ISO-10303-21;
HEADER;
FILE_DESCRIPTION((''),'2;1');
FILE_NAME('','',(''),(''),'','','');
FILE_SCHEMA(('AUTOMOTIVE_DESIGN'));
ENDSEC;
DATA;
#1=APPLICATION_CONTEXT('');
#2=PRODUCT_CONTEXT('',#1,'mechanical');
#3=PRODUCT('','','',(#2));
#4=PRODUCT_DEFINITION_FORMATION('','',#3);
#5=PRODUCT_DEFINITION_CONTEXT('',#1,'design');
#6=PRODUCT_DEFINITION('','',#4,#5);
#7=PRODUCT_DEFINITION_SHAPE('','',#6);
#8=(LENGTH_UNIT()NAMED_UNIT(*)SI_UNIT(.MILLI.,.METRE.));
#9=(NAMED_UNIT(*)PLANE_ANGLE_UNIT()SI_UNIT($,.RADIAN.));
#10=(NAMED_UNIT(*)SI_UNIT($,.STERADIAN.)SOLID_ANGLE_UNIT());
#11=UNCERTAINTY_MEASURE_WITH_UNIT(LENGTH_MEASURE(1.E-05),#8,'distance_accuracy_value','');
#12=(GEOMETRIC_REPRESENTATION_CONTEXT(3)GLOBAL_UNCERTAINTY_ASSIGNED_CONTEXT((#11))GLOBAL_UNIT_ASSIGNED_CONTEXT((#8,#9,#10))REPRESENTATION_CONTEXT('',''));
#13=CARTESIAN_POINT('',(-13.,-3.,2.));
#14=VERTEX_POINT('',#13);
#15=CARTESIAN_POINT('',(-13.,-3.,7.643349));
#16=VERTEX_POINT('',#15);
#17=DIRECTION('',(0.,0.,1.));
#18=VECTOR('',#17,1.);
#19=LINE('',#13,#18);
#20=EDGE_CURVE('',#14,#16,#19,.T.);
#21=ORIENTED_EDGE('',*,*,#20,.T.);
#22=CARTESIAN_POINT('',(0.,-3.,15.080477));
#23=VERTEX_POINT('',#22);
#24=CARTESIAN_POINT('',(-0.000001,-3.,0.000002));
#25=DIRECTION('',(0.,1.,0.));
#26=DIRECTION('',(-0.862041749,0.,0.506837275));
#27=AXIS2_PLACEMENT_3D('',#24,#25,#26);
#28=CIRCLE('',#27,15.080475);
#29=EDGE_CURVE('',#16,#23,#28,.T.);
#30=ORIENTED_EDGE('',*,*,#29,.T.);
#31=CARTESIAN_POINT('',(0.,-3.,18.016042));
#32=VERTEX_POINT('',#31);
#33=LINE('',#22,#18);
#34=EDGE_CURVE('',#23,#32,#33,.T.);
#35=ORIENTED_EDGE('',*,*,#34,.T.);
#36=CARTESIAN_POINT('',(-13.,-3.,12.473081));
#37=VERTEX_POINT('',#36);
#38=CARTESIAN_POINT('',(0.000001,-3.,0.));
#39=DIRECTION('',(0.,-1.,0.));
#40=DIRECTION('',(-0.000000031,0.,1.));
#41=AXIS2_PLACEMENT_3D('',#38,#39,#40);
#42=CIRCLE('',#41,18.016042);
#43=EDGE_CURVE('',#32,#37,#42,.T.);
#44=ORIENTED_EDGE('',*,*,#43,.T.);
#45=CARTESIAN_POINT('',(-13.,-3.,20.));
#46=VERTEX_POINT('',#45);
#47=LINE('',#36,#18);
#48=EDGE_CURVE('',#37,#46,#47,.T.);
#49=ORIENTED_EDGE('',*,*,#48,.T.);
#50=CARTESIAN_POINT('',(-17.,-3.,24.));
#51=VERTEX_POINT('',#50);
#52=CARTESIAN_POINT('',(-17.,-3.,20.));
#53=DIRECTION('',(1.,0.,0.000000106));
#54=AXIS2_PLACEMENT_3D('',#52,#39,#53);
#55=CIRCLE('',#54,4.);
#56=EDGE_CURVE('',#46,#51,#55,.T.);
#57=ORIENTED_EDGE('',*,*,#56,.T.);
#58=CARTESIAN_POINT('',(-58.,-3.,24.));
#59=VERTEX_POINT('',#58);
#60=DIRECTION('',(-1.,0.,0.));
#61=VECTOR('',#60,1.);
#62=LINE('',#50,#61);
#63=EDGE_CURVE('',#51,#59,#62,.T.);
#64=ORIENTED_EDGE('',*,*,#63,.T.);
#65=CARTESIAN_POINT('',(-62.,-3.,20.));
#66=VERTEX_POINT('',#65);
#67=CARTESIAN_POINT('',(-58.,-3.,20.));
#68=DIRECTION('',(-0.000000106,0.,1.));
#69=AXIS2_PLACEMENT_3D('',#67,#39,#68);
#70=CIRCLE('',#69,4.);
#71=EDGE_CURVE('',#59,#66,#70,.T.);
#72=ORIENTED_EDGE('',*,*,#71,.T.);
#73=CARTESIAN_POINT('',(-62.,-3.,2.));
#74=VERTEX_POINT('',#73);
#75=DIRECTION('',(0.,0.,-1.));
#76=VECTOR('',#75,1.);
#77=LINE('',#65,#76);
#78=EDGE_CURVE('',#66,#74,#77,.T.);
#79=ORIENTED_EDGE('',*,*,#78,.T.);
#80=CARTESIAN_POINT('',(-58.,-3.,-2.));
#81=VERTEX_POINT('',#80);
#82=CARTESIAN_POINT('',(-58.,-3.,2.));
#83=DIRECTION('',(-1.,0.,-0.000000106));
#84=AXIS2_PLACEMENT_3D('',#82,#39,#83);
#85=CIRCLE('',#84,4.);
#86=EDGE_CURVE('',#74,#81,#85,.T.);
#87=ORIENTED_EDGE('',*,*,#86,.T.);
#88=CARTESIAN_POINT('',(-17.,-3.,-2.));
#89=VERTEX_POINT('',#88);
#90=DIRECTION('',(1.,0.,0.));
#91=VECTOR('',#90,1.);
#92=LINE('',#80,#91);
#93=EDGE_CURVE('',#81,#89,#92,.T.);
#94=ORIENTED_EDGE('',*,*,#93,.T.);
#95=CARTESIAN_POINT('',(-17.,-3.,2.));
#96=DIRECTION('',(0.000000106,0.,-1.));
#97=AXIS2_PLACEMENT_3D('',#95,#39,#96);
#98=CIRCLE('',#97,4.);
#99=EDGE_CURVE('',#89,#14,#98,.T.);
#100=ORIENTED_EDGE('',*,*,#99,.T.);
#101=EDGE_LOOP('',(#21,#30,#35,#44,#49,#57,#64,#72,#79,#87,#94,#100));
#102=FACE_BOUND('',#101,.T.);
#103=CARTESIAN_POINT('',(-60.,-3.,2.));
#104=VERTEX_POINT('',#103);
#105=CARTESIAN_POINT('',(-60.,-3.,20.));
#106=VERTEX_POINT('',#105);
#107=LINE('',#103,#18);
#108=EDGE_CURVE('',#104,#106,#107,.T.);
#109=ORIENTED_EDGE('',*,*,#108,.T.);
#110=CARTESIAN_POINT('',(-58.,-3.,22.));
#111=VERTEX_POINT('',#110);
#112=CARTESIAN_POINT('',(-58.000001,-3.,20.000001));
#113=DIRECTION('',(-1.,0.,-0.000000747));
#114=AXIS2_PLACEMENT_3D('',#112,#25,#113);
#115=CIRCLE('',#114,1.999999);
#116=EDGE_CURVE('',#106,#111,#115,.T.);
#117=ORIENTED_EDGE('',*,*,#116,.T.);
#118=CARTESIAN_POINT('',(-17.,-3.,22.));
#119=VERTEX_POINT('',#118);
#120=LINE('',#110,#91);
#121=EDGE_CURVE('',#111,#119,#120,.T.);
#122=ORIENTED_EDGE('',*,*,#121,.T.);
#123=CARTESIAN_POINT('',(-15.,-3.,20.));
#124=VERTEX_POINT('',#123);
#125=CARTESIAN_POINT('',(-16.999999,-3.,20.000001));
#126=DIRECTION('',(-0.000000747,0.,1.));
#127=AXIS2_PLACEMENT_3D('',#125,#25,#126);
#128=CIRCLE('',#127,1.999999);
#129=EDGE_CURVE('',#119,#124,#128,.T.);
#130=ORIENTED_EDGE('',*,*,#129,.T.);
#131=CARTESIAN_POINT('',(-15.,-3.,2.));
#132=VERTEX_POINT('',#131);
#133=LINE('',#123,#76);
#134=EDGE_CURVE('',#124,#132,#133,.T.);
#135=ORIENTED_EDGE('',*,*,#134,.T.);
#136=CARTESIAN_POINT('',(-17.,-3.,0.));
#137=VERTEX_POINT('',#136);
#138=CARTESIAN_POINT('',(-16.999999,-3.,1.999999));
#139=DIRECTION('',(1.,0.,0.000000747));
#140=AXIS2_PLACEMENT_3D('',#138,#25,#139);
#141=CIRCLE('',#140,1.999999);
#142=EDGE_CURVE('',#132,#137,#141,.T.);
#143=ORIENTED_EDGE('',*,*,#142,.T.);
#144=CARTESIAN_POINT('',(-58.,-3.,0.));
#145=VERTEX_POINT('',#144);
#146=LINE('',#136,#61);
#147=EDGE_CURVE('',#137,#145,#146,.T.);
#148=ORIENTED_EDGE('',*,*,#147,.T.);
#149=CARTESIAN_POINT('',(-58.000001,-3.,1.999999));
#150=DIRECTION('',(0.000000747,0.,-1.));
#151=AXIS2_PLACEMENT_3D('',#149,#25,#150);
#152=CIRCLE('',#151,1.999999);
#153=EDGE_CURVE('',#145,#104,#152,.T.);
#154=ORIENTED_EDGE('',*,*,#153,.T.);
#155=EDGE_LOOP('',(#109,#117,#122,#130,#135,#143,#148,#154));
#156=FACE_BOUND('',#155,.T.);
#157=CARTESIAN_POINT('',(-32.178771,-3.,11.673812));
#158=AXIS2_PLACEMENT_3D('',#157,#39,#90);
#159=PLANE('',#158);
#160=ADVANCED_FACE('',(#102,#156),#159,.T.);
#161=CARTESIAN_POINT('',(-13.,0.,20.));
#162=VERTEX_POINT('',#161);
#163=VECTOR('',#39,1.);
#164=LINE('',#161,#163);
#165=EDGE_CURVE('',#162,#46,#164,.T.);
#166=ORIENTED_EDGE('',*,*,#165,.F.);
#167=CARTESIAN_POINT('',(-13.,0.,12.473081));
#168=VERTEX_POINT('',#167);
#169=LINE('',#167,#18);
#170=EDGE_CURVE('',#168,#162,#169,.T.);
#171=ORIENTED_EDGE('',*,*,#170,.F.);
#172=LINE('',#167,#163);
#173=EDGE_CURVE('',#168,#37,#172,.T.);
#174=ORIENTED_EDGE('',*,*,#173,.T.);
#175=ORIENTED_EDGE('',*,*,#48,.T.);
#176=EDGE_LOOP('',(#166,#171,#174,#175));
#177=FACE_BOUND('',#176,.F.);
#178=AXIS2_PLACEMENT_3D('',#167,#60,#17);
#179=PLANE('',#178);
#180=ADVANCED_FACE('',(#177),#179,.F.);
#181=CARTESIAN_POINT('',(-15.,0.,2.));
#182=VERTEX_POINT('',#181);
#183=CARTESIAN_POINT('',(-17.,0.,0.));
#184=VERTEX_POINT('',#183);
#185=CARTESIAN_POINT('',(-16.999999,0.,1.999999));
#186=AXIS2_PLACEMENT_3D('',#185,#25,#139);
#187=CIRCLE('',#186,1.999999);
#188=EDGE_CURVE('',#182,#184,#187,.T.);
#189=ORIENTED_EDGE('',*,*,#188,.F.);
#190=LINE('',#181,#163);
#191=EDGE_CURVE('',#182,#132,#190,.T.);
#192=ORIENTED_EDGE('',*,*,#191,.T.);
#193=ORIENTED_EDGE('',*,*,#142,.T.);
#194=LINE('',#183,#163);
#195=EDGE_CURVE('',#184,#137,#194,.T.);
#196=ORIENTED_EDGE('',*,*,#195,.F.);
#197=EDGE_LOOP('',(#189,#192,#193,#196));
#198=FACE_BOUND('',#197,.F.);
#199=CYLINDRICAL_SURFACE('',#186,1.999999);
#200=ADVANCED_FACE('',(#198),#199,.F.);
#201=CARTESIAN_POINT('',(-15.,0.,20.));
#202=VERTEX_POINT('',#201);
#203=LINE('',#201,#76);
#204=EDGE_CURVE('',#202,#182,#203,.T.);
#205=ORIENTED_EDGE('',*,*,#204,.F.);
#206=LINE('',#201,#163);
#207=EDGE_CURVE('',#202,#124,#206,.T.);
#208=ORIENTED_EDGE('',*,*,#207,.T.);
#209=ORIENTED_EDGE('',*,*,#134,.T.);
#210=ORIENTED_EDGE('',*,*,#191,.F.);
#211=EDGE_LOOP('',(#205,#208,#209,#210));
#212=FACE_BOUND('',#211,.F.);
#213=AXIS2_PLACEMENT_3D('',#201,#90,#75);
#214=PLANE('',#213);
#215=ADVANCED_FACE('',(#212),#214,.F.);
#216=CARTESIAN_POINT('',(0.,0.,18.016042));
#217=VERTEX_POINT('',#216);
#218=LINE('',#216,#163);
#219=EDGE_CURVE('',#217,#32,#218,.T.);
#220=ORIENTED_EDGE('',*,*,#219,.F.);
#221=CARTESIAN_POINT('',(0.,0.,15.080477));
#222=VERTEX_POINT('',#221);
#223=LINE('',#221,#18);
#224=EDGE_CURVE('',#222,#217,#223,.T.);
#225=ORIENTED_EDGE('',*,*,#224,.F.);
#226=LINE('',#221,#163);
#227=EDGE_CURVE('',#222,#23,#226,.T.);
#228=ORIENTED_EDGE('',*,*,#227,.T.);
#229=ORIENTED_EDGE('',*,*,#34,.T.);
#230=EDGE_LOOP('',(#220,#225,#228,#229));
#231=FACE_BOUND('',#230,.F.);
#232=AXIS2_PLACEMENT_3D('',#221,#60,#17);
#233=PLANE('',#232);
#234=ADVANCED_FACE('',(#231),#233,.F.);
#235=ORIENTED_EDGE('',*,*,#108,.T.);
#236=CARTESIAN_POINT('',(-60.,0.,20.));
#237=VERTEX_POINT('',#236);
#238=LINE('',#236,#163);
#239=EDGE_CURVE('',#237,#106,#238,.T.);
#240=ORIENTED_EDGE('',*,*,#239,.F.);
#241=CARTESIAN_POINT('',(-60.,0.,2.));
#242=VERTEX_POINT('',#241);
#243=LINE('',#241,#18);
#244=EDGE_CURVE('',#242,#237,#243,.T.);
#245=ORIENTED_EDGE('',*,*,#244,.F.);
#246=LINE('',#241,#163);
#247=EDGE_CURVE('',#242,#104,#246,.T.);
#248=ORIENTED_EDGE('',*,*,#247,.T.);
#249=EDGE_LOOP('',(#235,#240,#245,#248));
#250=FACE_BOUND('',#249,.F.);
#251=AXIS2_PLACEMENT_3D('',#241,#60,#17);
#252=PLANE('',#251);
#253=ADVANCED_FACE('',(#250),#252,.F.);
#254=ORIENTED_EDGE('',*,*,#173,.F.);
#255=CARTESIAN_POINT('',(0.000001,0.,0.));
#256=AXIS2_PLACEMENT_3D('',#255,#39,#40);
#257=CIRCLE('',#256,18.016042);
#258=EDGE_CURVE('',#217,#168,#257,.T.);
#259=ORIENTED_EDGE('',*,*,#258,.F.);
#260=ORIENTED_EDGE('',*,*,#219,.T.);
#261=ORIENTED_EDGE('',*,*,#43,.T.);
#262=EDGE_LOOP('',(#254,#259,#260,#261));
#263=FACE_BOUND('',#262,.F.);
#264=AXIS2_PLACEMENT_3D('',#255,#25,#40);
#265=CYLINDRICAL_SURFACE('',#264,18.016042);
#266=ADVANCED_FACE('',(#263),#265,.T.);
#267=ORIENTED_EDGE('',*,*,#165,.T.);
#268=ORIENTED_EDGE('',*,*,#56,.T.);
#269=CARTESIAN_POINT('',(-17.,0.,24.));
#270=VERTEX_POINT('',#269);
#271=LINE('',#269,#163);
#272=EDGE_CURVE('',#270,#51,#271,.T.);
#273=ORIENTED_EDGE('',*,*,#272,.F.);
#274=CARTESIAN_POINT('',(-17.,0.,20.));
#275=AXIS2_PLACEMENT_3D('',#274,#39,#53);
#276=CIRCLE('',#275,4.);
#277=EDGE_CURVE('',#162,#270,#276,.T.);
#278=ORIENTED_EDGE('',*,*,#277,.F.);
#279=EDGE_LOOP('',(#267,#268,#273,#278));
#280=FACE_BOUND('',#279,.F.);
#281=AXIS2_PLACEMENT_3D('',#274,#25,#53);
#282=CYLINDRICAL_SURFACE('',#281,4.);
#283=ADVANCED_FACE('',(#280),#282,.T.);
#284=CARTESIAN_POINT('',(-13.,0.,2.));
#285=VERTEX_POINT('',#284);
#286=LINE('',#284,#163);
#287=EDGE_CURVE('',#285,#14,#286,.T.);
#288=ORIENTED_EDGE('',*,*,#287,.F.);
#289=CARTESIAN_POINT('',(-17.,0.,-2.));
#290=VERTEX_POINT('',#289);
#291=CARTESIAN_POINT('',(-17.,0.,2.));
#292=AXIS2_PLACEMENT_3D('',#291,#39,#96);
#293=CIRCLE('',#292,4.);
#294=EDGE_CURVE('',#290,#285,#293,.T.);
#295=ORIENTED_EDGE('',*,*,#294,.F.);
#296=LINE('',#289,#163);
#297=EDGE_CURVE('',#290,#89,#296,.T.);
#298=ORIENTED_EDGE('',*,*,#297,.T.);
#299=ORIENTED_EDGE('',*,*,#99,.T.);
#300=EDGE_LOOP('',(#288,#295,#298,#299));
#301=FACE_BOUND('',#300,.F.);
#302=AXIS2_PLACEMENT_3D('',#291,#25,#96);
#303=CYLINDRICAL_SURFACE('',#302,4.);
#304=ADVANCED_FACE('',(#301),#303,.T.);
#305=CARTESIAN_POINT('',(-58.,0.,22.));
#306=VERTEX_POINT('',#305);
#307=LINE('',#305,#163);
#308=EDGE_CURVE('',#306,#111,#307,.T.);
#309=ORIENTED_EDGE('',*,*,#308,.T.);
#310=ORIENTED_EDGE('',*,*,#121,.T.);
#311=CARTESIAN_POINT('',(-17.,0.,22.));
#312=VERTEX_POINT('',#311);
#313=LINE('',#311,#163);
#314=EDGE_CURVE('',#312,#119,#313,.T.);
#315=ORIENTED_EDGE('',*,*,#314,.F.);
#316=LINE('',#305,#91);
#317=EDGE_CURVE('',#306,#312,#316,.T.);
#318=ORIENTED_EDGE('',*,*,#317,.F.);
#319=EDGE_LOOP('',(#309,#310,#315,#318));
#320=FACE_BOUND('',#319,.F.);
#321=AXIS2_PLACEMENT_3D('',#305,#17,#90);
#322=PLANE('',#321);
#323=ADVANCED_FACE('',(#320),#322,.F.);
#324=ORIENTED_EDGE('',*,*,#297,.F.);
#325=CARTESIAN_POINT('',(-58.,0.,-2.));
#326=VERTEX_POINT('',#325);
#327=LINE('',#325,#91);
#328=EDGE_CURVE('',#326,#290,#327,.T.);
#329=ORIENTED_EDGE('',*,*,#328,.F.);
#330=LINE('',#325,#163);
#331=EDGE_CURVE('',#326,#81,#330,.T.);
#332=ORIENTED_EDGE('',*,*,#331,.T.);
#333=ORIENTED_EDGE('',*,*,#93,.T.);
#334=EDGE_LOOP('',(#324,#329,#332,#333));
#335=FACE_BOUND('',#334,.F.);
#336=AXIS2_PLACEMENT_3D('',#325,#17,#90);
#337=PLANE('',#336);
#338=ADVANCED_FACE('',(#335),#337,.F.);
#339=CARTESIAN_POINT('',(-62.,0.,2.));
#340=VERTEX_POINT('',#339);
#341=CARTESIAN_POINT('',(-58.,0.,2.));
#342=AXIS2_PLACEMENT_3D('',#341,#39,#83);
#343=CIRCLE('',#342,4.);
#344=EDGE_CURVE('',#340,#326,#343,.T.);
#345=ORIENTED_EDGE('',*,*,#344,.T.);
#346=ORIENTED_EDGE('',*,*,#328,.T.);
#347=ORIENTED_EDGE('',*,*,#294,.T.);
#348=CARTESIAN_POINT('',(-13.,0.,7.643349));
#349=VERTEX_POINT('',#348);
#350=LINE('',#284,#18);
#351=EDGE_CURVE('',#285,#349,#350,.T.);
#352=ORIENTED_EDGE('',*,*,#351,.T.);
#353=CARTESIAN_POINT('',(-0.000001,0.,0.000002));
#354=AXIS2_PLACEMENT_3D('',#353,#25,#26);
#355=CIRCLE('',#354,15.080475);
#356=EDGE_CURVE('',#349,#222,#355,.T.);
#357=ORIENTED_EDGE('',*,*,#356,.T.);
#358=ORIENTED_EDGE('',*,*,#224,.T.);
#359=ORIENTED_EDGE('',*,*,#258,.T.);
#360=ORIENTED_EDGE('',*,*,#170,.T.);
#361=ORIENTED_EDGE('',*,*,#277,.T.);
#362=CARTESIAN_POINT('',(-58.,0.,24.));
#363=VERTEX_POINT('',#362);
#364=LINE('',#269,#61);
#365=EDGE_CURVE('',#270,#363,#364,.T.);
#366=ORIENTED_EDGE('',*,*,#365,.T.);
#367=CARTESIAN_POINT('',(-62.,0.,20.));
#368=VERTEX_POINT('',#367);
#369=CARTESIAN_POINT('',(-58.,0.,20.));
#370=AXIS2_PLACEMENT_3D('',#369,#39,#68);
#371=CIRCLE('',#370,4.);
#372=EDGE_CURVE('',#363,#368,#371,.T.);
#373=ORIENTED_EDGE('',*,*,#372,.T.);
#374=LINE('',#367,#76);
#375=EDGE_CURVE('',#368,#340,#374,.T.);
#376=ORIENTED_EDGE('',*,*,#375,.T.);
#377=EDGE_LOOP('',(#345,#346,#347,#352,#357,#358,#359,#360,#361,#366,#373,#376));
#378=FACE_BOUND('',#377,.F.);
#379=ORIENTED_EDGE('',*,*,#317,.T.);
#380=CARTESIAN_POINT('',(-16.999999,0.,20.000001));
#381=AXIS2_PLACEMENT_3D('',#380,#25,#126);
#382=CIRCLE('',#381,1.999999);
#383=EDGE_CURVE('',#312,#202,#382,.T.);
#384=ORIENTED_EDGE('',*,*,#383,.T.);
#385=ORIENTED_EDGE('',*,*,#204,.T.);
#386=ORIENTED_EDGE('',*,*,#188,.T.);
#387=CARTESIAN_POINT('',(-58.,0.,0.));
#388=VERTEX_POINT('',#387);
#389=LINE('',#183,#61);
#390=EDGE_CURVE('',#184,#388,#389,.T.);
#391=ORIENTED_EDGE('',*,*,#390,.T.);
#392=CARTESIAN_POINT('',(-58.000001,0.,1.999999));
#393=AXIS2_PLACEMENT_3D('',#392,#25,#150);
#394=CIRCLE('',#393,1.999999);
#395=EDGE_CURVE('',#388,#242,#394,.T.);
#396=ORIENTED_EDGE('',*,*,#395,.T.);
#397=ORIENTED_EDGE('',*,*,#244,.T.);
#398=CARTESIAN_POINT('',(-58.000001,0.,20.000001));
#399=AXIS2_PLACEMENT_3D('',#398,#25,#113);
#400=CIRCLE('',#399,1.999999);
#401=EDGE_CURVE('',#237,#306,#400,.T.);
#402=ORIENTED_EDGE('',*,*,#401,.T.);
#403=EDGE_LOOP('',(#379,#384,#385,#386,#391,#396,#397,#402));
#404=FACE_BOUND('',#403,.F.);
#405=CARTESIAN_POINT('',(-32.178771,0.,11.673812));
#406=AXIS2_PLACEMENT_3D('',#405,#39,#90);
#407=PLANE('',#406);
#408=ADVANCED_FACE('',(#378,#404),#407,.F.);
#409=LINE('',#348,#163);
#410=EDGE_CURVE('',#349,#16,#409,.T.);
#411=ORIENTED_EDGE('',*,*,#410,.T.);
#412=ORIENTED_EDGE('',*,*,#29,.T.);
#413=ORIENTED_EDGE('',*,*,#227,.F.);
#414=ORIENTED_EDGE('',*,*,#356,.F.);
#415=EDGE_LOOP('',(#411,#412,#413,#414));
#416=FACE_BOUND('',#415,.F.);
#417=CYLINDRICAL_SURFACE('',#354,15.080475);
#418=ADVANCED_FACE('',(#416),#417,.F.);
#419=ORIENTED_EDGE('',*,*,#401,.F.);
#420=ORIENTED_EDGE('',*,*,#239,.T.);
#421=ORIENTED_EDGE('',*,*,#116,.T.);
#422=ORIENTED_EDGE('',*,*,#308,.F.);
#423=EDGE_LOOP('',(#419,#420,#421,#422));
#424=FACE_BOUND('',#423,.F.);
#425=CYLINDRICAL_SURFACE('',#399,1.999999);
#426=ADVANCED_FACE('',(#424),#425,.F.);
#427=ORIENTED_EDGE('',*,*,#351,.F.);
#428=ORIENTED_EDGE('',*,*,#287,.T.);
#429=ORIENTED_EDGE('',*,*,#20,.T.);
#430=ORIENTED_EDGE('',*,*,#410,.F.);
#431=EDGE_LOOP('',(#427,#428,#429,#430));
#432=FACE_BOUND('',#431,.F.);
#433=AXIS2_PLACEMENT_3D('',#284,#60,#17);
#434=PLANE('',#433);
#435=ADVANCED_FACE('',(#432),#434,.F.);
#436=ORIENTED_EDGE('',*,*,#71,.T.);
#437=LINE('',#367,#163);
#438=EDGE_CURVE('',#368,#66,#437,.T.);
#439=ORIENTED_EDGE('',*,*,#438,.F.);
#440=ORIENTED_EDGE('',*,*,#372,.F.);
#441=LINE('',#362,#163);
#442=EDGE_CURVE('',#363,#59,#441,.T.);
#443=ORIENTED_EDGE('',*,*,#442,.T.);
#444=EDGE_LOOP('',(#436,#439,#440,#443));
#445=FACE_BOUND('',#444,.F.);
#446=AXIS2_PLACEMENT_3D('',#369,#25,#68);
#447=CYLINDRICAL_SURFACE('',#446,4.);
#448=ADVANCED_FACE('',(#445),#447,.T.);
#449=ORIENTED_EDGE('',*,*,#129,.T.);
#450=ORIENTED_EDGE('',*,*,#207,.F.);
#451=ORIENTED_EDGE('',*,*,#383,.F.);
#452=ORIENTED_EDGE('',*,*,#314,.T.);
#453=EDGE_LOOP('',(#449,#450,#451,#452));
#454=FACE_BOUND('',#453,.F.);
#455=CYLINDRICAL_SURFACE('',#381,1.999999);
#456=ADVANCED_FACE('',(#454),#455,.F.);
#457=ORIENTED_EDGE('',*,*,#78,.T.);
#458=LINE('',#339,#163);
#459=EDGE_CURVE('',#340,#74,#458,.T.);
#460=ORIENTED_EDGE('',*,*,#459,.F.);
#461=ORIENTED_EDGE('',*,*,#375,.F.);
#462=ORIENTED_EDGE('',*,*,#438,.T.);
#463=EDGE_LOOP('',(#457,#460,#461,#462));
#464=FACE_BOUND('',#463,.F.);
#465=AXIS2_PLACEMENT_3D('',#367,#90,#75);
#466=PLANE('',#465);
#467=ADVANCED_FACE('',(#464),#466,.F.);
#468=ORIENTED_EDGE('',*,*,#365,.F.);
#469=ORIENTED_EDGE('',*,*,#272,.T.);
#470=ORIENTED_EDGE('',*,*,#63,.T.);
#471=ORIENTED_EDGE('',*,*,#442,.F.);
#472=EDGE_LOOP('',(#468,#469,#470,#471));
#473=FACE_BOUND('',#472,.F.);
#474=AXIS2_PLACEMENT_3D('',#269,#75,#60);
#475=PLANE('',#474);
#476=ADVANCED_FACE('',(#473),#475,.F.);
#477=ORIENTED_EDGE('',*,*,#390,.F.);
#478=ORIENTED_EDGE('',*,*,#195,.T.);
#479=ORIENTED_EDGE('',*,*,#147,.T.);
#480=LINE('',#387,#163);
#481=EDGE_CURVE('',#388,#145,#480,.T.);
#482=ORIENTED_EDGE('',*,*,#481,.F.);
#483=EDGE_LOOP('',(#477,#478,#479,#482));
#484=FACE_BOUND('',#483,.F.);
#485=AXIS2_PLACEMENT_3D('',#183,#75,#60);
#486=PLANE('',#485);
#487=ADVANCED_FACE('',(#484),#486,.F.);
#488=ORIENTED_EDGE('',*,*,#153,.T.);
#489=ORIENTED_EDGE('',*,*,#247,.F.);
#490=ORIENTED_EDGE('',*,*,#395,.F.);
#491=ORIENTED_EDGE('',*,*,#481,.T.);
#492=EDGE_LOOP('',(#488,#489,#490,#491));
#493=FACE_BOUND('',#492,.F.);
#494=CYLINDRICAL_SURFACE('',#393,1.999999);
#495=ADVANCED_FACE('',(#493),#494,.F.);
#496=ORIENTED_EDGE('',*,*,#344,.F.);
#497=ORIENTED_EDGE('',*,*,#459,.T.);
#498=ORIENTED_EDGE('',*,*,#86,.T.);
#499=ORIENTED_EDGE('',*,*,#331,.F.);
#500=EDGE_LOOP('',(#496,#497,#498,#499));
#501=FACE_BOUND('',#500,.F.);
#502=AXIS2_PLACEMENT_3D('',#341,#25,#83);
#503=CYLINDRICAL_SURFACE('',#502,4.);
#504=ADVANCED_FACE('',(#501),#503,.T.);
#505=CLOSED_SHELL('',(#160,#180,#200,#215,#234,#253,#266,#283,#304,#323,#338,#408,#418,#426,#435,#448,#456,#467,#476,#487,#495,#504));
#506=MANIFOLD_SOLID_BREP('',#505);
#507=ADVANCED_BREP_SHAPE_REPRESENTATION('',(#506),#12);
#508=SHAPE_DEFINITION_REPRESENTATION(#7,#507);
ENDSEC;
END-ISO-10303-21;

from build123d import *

# Parameters (mm, degrees)
F1_DEPTH = 3


with BuildPart() as f1:
    # F0 (on Front) → F1 (new body)
    with BuildSketch(Plane.XZ):
        with BuildLine():
            Line((-17, 24), (-58, 24))
            ThreePointArc((-58, 24), (-60.828427, 22.828427), (-62, 20))
            Line((-62, 20), (-62, 2))
            ThreePointArc((-62, 2), (-60.828427, -0.828427), (-58, -2))
            Line((-58, -2), (-17, -2))
            ThreePointArc((-17, -2), (-14.171573, -0.828427), (-13, 2))
            Line((-13, 2), (-13, 7.643349))
            ThreePointArc((-13, 7.643349), (-7.488506, 13.089808), (0, 15.080477))
            Line((0, 15.080477), (0, 18.016042))
            ThreePointArc((0, 18.016042), (-7.066194, 16.572467), (-13, 12.473081))
            Line((-13, 12.473081), (-13, 20))
            ThreePointArc((-13, 20), (-14.171573, 22.828427), (-17, 24))
        make_face()
        with BuildLine():
            Line((-17, 0), (-58, 0))
            ThreePointArc((-58, 0), (-59.414214, 0.585786), (-60, 2))
            Line((-60, 2), (-60, 20))
            ThreePointArc((-60, 20), (-59.414214, 21.414214), (-58, 22))
            Line((-58, 22), (-17, 22))
            ThreePointArc((-17, 22), (-15.585786, 21.414214), (-15, 20))
            Line((-15, 20), (-15, 2))
            ThreePointArc((-15, 2), (-15.585786, 0.585786), (-17, 0))
        make_face(mode=Mode.SUBTRACT)
    extrude(amount=F1_DEPTH)


solid = f1.part
